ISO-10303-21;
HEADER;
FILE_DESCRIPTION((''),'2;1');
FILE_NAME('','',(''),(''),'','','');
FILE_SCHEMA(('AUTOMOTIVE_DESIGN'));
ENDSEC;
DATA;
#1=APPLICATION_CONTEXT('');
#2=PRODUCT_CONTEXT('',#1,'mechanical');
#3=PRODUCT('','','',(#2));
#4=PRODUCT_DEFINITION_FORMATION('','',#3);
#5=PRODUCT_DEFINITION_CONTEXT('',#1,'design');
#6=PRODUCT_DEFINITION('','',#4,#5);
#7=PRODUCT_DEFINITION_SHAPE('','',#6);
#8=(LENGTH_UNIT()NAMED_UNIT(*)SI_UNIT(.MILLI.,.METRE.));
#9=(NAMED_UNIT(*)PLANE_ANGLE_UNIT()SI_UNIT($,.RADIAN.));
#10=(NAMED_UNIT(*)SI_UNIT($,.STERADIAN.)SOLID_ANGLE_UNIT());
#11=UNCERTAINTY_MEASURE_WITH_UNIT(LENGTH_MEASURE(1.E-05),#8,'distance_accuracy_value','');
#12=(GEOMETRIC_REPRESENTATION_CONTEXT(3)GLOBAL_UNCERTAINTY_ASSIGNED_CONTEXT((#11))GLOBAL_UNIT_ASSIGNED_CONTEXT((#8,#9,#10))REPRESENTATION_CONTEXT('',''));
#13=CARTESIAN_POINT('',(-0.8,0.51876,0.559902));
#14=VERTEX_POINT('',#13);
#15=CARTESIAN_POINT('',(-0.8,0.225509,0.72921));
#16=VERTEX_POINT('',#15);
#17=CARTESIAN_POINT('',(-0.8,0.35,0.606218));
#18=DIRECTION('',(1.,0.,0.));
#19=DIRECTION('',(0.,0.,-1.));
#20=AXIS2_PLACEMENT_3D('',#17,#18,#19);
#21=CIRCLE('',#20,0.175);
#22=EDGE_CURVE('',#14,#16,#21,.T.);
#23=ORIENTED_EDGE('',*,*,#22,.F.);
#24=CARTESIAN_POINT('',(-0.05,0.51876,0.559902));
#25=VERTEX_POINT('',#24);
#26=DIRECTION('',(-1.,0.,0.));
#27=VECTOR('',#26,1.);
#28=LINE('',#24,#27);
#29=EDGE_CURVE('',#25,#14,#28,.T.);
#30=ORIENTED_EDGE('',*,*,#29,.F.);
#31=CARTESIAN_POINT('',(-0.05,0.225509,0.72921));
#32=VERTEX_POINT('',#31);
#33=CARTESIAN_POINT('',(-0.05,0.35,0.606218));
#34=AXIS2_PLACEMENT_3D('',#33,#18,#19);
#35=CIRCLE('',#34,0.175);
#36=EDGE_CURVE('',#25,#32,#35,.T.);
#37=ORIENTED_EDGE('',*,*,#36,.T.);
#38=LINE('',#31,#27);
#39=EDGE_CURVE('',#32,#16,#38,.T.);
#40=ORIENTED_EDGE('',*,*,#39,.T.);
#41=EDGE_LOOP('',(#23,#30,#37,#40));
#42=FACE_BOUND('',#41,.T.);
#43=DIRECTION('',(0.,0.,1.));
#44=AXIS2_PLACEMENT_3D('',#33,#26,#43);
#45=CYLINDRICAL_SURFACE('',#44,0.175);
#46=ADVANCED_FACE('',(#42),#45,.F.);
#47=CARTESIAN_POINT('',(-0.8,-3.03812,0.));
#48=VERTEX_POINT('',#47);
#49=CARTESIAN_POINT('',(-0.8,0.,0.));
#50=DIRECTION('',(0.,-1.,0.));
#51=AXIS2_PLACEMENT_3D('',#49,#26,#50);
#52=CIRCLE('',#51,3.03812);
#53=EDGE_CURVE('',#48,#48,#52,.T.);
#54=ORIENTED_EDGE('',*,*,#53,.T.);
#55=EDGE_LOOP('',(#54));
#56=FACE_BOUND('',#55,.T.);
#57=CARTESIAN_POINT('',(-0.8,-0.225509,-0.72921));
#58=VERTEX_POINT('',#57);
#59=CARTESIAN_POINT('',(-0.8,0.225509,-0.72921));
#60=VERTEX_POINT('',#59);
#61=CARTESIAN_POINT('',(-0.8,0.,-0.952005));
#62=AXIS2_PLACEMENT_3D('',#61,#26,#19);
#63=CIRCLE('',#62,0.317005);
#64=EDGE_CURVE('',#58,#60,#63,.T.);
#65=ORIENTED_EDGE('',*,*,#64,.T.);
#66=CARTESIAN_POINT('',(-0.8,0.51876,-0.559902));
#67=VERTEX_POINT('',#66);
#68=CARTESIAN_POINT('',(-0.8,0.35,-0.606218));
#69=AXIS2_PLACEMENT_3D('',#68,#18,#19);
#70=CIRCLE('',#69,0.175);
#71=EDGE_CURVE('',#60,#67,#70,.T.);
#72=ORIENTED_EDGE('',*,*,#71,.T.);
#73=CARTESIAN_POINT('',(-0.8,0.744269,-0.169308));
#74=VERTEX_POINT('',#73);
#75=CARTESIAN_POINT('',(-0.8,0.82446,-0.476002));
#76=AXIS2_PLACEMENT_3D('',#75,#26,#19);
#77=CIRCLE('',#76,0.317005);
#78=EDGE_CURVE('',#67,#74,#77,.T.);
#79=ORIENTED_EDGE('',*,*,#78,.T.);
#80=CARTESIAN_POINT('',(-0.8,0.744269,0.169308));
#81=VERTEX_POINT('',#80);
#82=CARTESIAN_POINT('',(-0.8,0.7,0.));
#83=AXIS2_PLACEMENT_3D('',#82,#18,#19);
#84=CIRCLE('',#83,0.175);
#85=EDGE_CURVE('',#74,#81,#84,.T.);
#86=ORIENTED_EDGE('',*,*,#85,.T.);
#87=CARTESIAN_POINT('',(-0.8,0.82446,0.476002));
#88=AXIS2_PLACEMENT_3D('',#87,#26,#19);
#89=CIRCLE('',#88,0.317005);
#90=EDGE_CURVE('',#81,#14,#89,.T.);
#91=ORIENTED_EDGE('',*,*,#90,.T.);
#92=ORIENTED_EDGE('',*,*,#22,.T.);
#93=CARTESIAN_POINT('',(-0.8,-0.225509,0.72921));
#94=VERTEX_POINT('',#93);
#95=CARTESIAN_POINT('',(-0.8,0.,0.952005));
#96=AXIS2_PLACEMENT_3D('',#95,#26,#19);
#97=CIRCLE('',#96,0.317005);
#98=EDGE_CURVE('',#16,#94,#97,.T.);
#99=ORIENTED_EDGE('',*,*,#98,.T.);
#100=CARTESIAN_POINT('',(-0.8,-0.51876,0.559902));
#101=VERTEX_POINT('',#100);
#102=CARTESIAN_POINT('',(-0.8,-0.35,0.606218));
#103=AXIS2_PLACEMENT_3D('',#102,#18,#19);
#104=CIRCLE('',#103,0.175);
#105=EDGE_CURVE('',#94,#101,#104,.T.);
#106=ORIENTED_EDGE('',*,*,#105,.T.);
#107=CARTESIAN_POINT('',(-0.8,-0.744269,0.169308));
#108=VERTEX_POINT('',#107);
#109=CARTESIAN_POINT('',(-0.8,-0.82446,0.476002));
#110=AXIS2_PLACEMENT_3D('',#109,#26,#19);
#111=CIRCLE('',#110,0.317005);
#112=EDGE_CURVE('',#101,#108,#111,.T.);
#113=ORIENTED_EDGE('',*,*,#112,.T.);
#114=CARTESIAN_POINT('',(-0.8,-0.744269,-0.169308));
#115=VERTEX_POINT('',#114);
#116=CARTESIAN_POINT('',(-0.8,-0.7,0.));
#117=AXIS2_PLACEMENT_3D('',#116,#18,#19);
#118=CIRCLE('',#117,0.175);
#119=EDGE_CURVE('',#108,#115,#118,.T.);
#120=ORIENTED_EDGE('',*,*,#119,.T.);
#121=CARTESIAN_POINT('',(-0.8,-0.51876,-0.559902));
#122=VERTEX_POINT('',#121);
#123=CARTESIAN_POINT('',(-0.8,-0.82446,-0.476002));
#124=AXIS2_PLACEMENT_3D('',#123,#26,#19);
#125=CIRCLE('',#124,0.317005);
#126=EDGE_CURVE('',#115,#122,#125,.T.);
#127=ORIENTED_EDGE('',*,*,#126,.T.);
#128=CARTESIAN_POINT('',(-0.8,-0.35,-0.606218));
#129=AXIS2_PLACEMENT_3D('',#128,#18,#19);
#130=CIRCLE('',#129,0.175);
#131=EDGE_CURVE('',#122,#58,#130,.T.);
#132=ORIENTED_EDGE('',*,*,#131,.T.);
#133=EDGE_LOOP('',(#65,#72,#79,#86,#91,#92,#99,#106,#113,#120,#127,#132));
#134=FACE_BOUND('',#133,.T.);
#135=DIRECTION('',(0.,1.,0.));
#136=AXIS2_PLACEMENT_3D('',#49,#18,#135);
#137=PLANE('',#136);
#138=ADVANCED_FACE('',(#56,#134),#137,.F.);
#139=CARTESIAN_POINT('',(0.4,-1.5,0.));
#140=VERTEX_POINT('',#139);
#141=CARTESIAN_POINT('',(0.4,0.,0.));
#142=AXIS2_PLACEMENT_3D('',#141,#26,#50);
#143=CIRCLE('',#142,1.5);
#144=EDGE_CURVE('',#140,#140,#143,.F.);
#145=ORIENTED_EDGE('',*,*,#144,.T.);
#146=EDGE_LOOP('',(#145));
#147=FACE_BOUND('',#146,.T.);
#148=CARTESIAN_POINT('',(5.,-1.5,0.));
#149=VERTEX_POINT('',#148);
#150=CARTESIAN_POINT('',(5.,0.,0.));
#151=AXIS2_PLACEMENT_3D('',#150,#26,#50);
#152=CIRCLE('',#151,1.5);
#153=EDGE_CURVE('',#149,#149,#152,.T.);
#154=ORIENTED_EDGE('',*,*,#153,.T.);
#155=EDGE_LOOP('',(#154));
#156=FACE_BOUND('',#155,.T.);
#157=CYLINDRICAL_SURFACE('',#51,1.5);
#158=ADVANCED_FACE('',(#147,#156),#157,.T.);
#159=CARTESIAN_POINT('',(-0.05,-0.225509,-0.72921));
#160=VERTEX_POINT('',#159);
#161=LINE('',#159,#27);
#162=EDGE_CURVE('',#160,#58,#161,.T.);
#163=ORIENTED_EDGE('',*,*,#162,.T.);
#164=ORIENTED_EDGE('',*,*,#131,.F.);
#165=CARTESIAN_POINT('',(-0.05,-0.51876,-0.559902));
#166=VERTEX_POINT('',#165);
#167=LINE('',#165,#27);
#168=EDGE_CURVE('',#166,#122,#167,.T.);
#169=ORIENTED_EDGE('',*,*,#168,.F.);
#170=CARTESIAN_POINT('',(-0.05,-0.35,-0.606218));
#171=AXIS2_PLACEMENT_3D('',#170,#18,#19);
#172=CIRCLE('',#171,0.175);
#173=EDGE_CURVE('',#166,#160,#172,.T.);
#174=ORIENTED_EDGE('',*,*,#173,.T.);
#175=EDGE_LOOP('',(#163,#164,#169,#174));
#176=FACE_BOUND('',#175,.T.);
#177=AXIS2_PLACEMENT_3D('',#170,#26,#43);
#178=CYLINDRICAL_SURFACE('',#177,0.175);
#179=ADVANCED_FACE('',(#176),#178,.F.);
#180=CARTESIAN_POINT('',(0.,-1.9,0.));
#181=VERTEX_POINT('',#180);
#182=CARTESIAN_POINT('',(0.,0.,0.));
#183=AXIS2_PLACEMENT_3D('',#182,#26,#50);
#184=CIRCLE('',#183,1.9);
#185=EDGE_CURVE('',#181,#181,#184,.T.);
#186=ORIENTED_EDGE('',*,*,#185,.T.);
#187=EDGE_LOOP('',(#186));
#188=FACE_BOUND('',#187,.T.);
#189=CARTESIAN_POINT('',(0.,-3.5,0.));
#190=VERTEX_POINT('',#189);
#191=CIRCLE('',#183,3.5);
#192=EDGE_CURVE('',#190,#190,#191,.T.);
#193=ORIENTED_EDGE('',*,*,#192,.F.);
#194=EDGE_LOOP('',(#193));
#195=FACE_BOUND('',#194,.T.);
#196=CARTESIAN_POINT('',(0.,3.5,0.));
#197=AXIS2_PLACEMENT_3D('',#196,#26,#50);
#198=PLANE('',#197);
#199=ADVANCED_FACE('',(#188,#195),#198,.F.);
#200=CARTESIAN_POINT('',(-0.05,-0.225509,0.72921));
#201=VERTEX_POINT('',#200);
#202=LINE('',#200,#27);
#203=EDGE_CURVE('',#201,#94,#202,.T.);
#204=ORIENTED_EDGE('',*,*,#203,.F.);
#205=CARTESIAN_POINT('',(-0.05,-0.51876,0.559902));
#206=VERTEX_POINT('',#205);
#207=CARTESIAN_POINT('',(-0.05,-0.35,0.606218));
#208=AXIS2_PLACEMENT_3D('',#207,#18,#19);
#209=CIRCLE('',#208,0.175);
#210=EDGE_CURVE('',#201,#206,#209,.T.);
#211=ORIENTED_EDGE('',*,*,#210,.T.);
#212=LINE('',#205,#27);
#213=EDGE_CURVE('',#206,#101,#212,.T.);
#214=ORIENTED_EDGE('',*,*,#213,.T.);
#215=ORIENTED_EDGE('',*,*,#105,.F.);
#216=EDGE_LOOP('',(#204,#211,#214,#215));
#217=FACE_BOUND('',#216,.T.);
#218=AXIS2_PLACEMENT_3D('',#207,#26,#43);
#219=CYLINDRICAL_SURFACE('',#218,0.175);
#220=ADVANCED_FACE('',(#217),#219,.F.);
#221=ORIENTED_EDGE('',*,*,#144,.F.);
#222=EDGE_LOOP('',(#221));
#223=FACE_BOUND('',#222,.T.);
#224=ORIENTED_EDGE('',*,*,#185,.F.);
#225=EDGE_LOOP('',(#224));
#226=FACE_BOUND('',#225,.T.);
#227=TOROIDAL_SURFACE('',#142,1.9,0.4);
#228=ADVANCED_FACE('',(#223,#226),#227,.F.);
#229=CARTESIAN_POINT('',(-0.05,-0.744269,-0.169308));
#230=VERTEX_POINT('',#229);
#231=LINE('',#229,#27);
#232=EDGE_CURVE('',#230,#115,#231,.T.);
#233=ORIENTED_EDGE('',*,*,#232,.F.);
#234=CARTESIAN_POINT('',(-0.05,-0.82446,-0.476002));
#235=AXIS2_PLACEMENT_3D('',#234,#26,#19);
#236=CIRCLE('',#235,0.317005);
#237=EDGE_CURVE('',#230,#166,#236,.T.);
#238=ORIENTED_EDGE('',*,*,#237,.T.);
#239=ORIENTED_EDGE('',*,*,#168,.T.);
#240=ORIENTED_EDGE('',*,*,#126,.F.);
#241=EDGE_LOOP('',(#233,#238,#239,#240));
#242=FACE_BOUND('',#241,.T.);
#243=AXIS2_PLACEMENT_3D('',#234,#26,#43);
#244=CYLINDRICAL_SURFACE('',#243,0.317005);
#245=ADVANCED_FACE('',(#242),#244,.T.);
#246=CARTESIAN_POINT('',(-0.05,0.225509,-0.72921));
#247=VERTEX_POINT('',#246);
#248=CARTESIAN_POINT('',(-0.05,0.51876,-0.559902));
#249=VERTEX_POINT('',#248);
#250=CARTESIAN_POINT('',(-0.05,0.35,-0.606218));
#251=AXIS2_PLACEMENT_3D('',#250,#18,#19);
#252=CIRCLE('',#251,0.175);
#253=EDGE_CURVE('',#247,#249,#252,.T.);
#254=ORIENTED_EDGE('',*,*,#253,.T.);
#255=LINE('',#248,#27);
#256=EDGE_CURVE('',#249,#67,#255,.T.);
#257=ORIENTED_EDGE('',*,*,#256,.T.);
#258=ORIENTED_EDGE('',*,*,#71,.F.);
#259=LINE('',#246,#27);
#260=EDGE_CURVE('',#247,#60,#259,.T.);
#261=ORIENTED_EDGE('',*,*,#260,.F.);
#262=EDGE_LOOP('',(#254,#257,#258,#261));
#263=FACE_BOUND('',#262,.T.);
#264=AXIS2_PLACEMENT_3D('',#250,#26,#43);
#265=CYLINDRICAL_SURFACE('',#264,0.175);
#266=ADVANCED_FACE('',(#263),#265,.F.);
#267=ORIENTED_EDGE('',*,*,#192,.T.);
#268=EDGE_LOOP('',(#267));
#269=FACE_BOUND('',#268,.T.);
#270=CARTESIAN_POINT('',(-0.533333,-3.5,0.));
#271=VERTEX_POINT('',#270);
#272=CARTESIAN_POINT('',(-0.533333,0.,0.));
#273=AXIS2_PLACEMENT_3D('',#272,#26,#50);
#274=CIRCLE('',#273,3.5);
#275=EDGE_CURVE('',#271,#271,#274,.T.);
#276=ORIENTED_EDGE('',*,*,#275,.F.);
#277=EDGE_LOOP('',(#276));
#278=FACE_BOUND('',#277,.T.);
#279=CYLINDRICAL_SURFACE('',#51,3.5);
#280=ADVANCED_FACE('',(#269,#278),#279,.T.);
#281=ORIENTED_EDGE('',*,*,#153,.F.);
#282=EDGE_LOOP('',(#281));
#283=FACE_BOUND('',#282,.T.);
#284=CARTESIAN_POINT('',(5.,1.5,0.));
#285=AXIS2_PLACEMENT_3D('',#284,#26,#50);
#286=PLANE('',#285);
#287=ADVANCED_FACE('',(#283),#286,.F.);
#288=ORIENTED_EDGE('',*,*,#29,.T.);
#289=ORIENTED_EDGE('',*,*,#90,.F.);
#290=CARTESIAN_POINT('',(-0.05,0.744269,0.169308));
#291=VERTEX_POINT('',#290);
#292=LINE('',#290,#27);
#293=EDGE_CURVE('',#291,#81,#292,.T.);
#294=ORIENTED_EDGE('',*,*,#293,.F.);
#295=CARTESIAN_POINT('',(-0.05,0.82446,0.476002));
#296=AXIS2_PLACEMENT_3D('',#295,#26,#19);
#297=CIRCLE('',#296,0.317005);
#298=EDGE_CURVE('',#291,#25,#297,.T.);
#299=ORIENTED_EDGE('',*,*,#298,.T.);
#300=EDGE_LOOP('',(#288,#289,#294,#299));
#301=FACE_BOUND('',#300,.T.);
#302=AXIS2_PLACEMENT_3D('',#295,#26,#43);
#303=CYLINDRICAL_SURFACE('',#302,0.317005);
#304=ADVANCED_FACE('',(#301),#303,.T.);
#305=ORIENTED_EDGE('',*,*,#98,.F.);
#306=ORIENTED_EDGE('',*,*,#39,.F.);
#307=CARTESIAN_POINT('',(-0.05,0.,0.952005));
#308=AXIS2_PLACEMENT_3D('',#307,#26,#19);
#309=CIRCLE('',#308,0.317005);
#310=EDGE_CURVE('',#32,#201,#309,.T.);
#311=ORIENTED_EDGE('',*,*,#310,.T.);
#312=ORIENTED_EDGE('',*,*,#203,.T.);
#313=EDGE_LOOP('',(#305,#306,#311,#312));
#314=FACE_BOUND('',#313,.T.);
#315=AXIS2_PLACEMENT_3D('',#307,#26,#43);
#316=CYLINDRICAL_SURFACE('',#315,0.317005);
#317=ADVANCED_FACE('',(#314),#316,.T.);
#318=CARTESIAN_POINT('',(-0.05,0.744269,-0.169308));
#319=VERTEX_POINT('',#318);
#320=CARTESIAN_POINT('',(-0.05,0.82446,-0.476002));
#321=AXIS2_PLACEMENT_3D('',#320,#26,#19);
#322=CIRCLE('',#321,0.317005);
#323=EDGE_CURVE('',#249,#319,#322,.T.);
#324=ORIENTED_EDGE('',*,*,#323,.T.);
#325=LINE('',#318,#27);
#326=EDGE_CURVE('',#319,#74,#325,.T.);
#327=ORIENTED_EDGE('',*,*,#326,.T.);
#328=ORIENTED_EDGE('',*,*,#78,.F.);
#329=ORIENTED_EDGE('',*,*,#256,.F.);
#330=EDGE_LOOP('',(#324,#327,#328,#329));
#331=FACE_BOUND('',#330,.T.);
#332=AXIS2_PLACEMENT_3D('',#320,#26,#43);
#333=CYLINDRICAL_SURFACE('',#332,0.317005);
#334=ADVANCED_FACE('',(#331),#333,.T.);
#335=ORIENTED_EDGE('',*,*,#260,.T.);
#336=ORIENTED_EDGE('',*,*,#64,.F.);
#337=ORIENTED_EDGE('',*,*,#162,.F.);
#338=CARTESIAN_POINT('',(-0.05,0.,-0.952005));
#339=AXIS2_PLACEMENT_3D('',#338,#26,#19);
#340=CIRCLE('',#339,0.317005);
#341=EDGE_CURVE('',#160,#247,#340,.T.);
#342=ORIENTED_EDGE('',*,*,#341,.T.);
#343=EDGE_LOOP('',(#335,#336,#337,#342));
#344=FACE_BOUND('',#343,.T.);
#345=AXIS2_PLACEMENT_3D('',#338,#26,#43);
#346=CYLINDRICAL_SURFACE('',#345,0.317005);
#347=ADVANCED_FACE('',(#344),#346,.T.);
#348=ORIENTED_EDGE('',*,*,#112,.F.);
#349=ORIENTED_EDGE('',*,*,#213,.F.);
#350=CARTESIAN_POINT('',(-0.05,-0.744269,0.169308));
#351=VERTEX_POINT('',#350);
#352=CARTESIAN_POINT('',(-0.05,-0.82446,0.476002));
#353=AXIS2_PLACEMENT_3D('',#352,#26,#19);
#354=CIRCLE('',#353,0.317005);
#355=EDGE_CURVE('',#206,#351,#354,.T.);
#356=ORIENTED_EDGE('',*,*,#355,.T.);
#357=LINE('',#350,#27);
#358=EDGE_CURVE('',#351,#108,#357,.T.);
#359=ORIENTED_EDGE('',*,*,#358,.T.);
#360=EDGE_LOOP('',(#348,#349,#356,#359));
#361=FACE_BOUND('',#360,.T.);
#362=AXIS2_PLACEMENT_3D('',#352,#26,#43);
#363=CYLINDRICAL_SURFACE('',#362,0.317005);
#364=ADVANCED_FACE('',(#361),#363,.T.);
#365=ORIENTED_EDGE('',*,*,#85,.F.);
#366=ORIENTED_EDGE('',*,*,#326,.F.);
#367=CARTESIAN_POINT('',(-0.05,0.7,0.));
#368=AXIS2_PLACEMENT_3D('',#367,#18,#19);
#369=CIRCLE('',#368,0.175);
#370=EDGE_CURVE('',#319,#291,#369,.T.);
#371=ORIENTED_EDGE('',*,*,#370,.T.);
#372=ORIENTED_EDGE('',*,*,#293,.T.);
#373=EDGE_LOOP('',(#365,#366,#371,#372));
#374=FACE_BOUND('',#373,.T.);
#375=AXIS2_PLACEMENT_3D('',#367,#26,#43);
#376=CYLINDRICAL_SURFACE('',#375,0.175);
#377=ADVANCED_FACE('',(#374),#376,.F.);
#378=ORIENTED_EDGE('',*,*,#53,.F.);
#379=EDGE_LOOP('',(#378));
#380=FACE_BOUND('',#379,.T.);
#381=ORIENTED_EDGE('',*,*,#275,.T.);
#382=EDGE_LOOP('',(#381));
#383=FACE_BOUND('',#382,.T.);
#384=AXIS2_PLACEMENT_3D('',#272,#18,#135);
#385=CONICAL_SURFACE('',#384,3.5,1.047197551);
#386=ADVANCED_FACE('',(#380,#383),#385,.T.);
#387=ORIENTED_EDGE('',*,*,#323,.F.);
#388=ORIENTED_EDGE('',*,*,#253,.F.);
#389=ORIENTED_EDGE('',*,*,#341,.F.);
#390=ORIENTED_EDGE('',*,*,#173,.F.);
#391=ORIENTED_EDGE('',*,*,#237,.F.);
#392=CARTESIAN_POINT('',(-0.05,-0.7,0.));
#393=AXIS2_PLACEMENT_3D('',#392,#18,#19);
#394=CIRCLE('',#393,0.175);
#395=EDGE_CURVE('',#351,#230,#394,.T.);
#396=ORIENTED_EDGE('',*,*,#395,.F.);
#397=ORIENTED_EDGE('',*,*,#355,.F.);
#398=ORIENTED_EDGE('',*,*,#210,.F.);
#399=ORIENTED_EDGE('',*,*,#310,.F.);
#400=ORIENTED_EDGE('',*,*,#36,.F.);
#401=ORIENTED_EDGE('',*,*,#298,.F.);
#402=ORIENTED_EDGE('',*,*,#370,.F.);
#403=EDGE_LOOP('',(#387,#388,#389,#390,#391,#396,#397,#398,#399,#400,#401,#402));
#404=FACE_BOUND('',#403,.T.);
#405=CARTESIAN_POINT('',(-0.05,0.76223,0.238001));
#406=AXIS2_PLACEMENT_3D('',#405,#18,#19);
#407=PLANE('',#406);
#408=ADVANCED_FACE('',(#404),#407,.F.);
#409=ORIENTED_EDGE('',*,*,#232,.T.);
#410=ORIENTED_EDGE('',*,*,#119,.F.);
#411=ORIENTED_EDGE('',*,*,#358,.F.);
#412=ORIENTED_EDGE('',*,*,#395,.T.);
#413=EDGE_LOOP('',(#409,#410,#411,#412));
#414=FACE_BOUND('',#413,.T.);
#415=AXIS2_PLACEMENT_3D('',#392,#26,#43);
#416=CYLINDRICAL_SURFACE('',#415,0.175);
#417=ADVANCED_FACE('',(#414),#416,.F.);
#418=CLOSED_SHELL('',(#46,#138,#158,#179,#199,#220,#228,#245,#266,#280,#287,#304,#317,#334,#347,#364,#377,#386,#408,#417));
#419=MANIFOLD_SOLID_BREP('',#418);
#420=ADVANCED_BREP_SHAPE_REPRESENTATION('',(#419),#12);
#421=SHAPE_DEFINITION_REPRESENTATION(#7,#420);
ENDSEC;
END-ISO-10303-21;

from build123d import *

# Parameters (mm, degrees)
CUT_EXTRUDE1_DEPTH = 0.75
FILLET1_R          = 0.4


with BuildPart() as part:
    # Sketch1 → Revolve1 (revolve)
    with BuildSketch(Plane.XY):
        Polygon((0, 1.5), (5, 1.5), (5, 0), (-0.8, 0), (-0.8, 3.038119785), (-0.533333333, 3.5), (0, 3.5), align=None)
    revolve(axis=Axis((-0.8, 0, 0), (1, 0, 0)))

    # Sketch2 → Cut-Extrude1 (cut)
    with BuildSketch(Plane(origin=(-0.8, 0, 0), x_dir=(0, 0, -1), z_dir=(1, 0, 0))):
        with BuildLine():
            ThreePointArc((0.16930818, 0.744268952), (0, 0.875), (-0.16930818, 0.744268952))
            ThreePointArc((-0.16930818, 0.744268952), (-0.3175, 0.549926131), (-0.55990173, 0.518759661))
            ThreePointArc((-0.55990173, 0.518759661), (-0.757772228, 0.4375), (-0.72920991, 0.225509291))
            ThreePointArc((-0.72920991, 0.225509291), (-0.635, 0), (-0.72920991, -0.225509291))
            ThreePointArc((-0.72920991, -0.225509291), (-0.757772228, -0.4375), (-0.55990173, -0.518759661))
            ThreePointArc((-0.55990173, -0.518759661), (-0.3175, -0.549926131), (-0.16930818, -0.744268952))
            ThreePointArc((-0.16930818, -0.744268952), (0, -0.875), (0.16930818, -0.744268952))
            ThreePointArc((0.16930818, -0.744268952), (0.3175, -0.549926131), (0.55990173, -0.518759661))
            ThreePointArc((0.55990173, -0.518759661), (0.757772228, -0.4375), (0.72920991, -0.225509291))
            ThreePointArc((0.72920991, -0.225509291), (0.635, 0), (0.72920991, 0.225509291))
            ThreePointArc((0.72920991, 0.225509291), (0.757772228, 0.4375), (0.55990173, 0.518759661))
            ThreePointArc((0.55990173, 0.518759661), (0.3175, 0.549926131), (0.16930818, 0.744268952))
        make_face()
    extrude(amount=CUT_EXTRUDE1_DEPTH, mode=Mode.SUBTRACT)

    # Fillet1
    fillet1_edges = [part.edges().sort_by_distance(p)[0] for p in [
        (0, -1.5, 0),
    ]]
    fillet(fillet1_edges, radius=FILLET1_R)


solid = part.part
